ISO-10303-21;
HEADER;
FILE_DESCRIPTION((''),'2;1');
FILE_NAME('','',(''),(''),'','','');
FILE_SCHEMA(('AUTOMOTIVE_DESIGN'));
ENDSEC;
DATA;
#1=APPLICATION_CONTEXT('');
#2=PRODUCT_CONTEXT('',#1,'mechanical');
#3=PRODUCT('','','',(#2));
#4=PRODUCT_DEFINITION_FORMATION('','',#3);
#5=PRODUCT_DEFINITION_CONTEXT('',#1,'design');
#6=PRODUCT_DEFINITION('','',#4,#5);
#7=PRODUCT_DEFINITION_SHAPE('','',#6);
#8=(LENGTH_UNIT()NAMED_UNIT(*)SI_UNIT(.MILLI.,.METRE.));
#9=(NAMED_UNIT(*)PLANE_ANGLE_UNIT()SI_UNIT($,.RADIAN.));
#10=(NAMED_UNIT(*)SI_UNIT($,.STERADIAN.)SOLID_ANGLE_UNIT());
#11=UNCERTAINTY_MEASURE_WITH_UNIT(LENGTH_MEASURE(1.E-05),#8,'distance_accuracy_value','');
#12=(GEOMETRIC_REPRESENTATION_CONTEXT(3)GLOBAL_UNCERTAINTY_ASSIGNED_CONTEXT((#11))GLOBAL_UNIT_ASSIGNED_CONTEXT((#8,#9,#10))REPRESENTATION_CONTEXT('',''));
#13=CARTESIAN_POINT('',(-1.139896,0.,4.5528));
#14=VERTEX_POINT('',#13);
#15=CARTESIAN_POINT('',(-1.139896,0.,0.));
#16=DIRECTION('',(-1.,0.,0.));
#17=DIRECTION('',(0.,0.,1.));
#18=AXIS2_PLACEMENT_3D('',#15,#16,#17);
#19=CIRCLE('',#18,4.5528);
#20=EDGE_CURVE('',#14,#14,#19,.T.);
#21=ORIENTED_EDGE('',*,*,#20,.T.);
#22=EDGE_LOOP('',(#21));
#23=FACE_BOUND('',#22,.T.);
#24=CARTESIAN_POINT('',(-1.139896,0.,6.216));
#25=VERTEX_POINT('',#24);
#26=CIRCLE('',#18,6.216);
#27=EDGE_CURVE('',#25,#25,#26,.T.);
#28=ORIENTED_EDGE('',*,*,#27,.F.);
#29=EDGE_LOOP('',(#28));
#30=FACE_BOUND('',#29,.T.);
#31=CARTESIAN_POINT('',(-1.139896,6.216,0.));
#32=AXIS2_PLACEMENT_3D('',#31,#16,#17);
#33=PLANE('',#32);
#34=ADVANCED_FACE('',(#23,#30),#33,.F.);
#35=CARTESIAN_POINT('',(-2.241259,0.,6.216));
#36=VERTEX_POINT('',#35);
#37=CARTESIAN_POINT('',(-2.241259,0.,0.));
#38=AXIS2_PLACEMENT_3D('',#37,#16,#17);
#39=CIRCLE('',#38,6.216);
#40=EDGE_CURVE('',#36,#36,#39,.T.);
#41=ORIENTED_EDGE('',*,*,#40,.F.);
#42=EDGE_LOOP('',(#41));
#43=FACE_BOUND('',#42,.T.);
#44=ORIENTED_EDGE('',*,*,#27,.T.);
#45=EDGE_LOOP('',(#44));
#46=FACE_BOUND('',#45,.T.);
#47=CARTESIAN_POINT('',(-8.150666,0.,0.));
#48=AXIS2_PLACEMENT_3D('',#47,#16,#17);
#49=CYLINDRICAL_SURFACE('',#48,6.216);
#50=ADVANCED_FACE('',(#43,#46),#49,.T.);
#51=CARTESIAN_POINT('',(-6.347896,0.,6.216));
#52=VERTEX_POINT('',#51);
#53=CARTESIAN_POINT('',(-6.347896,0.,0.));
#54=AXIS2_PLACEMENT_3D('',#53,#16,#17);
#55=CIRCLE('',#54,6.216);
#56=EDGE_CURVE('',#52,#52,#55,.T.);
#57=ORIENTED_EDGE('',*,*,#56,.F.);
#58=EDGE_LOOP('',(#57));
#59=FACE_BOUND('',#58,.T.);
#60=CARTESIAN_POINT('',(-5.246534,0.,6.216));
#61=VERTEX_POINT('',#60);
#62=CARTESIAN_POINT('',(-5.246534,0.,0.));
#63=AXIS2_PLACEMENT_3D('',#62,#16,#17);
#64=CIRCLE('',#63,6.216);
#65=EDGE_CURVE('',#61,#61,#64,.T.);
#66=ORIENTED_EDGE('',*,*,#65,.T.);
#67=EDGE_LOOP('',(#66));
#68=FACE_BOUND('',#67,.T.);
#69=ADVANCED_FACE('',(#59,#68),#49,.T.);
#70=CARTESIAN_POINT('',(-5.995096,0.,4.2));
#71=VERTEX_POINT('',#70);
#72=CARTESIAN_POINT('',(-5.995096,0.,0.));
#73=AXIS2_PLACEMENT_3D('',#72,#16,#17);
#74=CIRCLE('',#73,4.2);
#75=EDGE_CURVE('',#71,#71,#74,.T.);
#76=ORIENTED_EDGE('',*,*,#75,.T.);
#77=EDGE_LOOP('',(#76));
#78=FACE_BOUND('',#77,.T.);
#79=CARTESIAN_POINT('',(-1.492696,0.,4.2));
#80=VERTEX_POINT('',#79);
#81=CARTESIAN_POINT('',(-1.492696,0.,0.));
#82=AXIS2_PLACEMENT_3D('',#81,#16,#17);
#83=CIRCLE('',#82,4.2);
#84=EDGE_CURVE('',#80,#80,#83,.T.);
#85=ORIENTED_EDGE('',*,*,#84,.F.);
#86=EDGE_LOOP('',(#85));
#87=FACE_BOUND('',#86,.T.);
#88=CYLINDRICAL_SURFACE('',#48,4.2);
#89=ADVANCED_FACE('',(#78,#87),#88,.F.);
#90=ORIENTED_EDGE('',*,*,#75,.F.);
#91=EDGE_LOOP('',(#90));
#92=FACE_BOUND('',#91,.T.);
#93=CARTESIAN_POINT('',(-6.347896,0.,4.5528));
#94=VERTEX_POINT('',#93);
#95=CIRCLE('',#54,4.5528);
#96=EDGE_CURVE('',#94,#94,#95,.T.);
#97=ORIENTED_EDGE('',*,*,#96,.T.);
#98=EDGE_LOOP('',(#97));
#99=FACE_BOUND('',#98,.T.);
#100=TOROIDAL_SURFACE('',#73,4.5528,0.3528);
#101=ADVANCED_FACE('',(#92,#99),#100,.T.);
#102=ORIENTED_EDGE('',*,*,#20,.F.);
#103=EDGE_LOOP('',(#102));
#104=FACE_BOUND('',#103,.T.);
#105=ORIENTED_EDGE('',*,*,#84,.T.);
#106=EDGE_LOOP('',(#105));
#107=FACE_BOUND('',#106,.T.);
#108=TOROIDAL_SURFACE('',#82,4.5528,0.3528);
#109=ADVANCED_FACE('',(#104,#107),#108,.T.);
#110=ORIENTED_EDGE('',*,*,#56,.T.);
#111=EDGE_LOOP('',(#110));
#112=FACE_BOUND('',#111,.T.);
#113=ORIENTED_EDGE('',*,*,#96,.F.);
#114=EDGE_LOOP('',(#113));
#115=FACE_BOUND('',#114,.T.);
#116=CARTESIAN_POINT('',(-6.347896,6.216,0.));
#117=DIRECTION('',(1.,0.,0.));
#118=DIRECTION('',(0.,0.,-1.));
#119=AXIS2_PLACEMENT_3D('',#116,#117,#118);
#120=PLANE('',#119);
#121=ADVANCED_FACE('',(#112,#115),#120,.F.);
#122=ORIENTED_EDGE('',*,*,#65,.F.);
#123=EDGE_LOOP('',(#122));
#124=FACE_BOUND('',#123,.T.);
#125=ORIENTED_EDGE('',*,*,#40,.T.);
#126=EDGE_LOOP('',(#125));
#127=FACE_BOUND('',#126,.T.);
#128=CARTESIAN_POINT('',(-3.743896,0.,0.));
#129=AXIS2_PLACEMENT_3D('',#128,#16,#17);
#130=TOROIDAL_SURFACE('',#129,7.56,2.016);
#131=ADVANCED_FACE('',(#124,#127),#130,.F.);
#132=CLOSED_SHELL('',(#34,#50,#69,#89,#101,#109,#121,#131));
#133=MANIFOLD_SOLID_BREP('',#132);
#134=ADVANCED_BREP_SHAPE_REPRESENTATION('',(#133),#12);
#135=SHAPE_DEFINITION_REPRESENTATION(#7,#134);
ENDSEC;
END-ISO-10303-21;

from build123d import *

# Parameters (mm, degrees)
SCALE1_SCALE = 0.168


with BuildPart() as part:
    # Sketch1 → Revolve1 (revolve)
    with BuildSketch(Plane.XY, mode=Mode.PRIVATE) as revolve1_sk:
        with BuildLine():
            Line((-19.243896498, 37), (-12.688168408, 37))
            ThreePointArc((-12.688168408, 37), (-3.743896498, 33), (5.200375412, 37))
            Line((5.200375412, 37), (11.756103502, 37))
            Line((11.756103502, 37), (11.756103502, 27.1))
            ThreePointArc((11.756103502, 27.1), (11.141027743, 25.61507576), (9.656103502, 25))
            Line((9.656103502, 25), (-17.143896498, 25))
            ThreePointArc((-17.143896498, 25), (-18.628820738, 25.61507576), (-19.243896498, 27.1))
            Line((-19.243896498, 27.1), (-19.243896498, 37))
        make_face()
    revolve(revolve1_sk.sketch.rotate(Axis((-29.974665728, 0, 0), (1, 0, 0)), 90), axis=Axis((-29.974665728, 0, 0), (1, 0, 0)))


with BuildPart() as part_1:
    # Scale1: scaled about (-3.743896498, 0, 0)
    add(part.part.scale(SCALE1_SCALE).moved(Location((-3.114921886, 0, 0))))


solid = part_1.part
